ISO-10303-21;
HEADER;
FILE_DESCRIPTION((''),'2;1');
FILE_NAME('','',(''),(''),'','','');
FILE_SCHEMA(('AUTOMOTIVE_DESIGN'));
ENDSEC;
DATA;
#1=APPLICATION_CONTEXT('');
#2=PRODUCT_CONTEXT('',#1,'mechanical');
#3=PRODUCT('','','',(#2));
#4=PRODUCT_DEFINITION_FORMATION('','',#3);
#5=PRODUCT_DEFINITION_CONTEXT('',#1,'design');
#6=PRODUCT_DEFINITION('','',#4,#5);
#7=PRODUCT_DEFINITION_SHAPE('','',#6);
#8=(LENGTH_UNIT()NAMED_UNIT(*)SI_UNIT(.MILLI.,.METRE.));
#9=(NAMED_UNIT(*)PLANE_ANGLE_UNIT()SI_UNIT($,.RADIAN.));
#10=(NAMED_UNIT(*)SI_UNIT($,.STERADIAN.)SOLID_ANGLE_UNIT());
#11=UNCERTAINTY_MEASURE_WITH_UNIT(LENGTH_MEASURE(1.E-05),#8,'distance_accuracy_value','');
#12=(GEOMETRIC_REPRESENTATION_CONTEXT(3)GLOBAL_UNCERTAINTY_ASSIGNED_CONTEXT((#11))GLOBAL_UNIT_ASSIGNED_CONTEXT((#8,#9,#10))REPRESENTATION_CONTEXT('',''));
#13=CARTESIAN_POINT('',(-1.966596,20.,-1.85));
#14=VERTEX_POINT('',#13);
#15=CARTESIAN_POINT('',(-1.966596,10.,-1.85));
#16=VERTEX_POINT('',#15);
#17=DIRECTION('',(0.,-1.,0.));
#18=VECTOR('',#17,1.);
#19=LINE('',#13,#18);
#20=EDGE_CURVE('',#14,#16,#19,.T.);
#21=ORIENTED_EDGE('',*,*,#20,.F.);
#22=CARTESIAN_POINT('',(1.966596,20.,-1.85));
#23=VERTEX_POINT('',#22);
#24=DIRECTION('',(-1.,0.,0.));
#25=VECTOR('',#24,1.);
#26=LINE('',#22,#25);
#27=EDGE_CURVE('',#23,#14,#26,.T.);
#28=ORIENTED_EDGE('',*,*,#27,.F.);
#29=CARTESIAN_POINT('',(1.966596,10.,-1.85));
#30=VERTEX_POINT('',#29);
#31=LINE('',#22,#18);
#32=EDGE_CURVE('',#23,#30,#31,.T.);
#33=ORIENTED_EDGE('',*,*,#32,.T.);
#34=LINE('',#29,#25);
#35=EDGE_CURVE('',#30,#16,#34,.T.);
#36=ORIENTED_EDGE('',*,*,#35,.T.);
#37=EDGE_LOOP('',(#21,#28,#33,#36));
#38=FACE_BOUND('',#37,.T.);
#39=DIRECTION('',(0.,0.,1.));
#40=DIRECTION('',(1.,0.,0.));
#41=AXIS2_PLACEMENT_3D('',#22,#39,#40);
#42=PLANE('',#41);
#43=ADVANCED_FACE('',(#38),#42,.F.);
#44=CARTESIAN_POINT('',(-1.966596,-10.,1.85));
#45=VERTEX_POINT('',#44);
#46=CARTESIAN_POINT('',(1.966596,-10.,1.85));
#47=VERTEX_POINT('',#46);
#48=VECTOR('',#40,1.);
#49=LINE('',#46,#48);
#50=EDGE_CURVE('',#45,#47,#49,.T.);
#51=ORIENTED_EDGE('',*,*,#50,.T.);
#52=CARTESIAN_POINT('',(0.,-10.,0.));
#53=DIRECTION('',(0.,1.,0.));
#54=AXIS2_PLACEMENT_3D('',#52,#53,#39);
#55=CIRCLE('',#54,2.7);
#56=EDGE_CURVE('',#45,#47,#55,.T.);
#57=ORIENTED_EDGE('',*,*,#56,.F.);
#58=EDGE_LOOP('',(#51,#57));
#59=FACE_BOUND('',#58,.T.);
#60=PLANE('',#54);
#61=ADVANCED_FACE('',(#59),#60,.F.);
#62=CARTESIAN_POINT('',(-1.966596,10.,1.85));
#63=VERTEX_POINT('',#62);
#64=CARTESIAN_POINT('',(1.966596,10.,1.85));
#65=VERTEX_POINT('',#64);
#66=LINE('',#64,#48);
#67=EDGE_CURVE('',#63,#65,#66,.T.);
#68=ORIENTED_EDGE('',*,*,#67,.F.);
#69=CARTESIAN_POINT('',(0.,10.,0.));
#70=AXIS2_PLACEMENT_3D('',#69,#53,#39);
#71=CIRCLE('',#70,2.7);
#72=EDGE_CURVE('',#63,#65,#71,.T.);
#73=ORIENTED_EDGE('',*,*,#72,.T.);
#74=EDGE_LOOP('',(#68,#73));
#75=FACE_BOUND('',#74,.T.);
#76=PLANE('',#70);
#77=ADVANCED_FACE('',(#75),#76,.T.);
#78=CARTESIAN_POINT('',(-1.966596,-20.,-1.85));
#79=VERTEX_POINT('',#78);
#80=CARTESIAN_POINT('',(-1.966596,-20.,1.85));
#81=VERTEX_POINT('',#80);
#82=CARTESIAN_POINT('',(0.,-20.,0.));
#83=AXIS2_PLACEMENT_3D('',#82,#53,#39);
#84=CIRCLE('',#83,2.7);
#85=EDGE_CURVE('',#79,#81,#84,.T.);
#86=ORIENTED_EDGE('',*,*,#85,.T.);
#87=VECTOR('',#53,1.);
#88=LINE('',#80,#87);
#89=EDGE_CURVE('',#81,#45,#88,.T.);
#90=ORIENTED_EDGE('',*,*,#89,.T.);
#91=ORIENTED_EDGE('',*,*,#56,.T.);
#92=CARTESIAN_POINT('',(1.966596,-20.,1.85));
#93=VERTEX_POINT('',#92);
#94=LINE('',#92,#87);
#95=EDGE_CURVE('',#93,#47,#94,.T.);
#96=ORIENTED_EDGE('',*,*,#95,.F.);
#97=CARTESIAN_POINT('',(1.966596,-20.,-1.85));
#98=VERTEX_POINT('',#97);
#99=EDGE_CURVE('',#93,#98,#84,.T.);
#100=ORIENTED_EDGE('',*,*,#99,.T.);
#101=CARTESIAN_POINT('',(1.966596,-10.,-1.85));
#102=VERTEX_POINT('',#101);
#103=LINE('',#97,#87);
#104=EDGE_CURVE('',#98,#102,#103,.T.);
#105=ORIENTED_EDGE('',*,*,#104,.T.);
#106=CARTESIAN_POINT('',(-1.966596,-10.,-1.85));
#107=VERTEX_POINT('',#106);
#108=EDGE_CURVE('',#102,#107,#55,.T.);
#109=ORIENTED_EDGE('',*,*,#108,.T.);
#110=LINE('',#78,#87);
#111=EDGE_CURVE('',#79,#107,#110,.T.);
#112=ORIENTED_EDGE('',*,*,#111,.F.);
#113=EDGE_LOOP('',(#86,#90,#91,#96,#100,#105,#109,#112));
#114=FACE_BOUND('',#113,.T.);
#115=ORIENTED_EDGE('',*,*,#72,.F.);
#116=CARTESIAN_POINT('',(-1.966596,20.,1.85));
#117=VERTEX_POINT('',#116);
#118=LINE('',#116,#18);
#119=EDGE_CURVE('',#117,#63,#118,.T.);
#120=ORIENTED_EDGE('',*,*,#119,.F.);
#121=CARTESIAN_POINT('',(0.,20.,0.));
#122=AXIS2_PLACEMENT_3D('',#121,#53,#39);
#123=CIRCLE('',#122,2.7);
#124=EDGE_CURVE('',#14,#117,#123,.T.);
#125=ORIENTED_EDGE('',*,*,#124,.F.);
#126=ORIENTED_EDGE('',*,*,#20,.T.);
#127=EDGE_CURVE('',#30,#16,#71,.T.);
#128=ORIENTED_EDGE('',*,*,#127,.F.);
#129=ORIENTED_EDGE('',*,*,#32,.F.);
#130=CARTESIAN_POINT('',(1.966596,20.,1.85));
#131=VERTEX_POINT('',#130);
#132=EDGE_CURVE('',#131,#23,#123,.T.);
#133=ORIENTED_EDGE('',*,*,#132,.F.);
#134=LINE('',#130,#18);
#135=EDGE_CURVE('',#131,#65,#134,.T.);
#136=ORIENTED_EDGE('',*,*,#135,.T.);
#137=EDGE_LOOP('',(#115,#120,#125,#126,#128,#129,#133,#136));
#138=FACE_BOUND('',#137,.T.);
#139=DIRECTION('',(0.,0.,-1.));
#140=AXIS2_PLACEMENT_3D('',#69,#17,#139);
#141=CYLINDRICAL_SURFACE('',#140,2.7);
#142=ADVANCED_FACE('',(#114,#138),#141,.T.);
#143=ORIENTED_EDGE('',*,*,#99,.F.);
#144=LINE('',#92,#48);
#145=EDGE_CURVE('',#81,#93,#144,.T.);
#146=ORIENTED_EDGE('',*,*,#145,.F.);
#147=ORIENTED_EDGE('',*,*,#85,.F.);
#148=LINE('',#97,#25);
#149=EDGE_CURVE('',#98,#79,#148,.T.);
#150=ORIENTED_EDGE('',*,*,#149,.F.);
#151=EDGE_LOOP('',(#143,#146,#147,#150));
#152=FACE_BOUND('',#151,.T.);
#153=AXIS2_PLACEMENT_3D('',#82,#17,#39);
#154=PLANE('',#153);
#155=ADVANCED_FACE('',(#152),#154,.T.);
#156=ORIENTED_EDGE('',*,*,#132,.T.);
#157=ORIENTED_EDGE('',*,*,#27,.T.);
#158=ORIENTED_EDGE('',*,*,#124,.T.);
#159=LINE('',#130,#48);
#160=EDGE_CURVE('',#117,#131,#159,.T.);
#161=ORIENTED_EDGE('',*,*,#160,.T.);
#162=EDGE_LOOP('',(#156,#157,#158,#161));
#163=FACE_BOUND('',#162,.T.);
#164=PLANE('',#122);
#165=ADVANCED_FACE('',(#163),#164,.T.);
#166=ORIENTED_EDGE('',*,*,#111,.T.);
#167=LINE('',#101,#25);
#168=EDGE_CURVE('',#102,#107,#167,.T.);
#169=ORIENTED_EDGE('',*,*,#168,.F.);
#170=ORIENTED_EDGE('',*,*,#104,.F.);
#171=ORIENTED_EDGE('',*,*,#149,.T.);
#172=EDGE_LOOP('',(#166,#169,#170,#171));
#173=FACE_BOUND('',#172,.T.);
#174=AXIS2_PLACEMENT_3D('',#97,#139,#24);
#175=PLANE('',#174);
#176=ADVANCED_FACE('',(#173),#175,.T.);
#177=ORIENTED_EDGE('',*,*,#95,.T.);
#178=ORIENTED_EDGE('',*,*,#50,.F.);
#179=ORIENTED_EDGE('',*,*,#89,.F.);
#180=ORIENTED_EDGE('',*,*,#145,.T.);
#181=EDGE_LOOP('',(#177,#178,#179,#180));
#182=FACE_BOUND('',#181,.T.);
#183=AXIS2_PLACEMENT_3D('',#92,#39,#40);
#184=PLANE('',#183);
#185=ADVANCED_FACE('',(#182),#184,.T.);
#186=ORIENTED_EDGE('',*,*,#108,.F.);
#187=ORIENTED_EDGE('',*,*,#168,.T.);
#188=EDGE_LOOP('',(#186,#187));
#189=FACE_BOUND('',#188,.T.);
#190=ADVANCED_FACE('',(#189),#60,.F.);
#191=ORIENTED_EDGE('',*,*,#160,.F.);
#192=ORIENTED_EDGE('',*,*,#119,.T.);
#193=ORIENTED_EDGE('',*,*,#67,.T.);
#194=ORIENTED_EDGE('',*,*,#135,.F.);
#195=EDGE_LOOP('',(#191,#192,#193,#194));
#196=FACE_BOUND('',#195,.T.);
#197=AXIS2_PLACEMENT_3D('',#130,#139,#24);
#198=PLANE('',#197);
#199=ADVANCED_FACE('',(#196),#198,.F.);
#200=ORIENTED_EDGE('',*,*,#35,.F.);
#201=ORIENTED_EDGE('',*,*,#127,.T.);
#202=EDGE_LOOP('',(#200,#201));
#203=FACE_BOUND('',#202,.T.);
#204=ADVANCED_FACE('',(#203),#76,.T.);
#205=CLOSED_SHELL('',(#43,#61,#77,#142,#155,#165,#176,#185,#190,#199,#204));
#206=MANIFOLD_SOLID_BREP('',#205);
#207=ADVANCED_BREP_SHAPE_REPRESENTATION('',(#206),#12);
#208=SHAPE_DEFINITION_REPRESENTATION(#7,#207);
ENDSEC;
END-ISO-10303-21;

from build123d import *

# Parameters (mm, degrees)
CROQUIS1_R              = 2.7
SALIENTE_EXTRUIR1_DEPTH = 10
SALIENTE_EXTRUIR2_DEPTH = 10


with BuildPart() as part:
    # Croquis1 → Saliente-Extruir1 (new body, symmetric)
    with BuildSketch(Plane(origin=(0, 0, 0), x_dir=(1, 0, 0), z_dir=(0, 1, 0))):
        Circle(CROQUIS1_R)
    extrude(amount=SALIENTE_EXTRUIR1_DEPTH, both=True)

    # Croquis2 → Saliente-Extruir2 (add)
    with BuildSketch(Plane(origin=(0, 10, 0), x_dir=(1, 0, 0), z_dir=(0, 1, 0))):
        with BuildLine():
            Line((1.966596, 1.85), (-1.966596, 1.85))
            ThreePointArc((-1.966596, 1.85), (-2.7, 0), (-1.966596, -1.85))
            Line((-1.966596, -1.85), (1.966596, -1.85))
            ThreePointArc((1.966596, -1.85), (2.7, 0), (1.966596, 1.85))
        make_face()
    saliente_extruir2 = extrude(amount=SALIENTE_EXTRUIR2_DEPTH)

    # Simetría1: Saliente-Extruir2 across plane
    add(saliente_extruir2.mirror(Plane.ZX))


solid = part.part
